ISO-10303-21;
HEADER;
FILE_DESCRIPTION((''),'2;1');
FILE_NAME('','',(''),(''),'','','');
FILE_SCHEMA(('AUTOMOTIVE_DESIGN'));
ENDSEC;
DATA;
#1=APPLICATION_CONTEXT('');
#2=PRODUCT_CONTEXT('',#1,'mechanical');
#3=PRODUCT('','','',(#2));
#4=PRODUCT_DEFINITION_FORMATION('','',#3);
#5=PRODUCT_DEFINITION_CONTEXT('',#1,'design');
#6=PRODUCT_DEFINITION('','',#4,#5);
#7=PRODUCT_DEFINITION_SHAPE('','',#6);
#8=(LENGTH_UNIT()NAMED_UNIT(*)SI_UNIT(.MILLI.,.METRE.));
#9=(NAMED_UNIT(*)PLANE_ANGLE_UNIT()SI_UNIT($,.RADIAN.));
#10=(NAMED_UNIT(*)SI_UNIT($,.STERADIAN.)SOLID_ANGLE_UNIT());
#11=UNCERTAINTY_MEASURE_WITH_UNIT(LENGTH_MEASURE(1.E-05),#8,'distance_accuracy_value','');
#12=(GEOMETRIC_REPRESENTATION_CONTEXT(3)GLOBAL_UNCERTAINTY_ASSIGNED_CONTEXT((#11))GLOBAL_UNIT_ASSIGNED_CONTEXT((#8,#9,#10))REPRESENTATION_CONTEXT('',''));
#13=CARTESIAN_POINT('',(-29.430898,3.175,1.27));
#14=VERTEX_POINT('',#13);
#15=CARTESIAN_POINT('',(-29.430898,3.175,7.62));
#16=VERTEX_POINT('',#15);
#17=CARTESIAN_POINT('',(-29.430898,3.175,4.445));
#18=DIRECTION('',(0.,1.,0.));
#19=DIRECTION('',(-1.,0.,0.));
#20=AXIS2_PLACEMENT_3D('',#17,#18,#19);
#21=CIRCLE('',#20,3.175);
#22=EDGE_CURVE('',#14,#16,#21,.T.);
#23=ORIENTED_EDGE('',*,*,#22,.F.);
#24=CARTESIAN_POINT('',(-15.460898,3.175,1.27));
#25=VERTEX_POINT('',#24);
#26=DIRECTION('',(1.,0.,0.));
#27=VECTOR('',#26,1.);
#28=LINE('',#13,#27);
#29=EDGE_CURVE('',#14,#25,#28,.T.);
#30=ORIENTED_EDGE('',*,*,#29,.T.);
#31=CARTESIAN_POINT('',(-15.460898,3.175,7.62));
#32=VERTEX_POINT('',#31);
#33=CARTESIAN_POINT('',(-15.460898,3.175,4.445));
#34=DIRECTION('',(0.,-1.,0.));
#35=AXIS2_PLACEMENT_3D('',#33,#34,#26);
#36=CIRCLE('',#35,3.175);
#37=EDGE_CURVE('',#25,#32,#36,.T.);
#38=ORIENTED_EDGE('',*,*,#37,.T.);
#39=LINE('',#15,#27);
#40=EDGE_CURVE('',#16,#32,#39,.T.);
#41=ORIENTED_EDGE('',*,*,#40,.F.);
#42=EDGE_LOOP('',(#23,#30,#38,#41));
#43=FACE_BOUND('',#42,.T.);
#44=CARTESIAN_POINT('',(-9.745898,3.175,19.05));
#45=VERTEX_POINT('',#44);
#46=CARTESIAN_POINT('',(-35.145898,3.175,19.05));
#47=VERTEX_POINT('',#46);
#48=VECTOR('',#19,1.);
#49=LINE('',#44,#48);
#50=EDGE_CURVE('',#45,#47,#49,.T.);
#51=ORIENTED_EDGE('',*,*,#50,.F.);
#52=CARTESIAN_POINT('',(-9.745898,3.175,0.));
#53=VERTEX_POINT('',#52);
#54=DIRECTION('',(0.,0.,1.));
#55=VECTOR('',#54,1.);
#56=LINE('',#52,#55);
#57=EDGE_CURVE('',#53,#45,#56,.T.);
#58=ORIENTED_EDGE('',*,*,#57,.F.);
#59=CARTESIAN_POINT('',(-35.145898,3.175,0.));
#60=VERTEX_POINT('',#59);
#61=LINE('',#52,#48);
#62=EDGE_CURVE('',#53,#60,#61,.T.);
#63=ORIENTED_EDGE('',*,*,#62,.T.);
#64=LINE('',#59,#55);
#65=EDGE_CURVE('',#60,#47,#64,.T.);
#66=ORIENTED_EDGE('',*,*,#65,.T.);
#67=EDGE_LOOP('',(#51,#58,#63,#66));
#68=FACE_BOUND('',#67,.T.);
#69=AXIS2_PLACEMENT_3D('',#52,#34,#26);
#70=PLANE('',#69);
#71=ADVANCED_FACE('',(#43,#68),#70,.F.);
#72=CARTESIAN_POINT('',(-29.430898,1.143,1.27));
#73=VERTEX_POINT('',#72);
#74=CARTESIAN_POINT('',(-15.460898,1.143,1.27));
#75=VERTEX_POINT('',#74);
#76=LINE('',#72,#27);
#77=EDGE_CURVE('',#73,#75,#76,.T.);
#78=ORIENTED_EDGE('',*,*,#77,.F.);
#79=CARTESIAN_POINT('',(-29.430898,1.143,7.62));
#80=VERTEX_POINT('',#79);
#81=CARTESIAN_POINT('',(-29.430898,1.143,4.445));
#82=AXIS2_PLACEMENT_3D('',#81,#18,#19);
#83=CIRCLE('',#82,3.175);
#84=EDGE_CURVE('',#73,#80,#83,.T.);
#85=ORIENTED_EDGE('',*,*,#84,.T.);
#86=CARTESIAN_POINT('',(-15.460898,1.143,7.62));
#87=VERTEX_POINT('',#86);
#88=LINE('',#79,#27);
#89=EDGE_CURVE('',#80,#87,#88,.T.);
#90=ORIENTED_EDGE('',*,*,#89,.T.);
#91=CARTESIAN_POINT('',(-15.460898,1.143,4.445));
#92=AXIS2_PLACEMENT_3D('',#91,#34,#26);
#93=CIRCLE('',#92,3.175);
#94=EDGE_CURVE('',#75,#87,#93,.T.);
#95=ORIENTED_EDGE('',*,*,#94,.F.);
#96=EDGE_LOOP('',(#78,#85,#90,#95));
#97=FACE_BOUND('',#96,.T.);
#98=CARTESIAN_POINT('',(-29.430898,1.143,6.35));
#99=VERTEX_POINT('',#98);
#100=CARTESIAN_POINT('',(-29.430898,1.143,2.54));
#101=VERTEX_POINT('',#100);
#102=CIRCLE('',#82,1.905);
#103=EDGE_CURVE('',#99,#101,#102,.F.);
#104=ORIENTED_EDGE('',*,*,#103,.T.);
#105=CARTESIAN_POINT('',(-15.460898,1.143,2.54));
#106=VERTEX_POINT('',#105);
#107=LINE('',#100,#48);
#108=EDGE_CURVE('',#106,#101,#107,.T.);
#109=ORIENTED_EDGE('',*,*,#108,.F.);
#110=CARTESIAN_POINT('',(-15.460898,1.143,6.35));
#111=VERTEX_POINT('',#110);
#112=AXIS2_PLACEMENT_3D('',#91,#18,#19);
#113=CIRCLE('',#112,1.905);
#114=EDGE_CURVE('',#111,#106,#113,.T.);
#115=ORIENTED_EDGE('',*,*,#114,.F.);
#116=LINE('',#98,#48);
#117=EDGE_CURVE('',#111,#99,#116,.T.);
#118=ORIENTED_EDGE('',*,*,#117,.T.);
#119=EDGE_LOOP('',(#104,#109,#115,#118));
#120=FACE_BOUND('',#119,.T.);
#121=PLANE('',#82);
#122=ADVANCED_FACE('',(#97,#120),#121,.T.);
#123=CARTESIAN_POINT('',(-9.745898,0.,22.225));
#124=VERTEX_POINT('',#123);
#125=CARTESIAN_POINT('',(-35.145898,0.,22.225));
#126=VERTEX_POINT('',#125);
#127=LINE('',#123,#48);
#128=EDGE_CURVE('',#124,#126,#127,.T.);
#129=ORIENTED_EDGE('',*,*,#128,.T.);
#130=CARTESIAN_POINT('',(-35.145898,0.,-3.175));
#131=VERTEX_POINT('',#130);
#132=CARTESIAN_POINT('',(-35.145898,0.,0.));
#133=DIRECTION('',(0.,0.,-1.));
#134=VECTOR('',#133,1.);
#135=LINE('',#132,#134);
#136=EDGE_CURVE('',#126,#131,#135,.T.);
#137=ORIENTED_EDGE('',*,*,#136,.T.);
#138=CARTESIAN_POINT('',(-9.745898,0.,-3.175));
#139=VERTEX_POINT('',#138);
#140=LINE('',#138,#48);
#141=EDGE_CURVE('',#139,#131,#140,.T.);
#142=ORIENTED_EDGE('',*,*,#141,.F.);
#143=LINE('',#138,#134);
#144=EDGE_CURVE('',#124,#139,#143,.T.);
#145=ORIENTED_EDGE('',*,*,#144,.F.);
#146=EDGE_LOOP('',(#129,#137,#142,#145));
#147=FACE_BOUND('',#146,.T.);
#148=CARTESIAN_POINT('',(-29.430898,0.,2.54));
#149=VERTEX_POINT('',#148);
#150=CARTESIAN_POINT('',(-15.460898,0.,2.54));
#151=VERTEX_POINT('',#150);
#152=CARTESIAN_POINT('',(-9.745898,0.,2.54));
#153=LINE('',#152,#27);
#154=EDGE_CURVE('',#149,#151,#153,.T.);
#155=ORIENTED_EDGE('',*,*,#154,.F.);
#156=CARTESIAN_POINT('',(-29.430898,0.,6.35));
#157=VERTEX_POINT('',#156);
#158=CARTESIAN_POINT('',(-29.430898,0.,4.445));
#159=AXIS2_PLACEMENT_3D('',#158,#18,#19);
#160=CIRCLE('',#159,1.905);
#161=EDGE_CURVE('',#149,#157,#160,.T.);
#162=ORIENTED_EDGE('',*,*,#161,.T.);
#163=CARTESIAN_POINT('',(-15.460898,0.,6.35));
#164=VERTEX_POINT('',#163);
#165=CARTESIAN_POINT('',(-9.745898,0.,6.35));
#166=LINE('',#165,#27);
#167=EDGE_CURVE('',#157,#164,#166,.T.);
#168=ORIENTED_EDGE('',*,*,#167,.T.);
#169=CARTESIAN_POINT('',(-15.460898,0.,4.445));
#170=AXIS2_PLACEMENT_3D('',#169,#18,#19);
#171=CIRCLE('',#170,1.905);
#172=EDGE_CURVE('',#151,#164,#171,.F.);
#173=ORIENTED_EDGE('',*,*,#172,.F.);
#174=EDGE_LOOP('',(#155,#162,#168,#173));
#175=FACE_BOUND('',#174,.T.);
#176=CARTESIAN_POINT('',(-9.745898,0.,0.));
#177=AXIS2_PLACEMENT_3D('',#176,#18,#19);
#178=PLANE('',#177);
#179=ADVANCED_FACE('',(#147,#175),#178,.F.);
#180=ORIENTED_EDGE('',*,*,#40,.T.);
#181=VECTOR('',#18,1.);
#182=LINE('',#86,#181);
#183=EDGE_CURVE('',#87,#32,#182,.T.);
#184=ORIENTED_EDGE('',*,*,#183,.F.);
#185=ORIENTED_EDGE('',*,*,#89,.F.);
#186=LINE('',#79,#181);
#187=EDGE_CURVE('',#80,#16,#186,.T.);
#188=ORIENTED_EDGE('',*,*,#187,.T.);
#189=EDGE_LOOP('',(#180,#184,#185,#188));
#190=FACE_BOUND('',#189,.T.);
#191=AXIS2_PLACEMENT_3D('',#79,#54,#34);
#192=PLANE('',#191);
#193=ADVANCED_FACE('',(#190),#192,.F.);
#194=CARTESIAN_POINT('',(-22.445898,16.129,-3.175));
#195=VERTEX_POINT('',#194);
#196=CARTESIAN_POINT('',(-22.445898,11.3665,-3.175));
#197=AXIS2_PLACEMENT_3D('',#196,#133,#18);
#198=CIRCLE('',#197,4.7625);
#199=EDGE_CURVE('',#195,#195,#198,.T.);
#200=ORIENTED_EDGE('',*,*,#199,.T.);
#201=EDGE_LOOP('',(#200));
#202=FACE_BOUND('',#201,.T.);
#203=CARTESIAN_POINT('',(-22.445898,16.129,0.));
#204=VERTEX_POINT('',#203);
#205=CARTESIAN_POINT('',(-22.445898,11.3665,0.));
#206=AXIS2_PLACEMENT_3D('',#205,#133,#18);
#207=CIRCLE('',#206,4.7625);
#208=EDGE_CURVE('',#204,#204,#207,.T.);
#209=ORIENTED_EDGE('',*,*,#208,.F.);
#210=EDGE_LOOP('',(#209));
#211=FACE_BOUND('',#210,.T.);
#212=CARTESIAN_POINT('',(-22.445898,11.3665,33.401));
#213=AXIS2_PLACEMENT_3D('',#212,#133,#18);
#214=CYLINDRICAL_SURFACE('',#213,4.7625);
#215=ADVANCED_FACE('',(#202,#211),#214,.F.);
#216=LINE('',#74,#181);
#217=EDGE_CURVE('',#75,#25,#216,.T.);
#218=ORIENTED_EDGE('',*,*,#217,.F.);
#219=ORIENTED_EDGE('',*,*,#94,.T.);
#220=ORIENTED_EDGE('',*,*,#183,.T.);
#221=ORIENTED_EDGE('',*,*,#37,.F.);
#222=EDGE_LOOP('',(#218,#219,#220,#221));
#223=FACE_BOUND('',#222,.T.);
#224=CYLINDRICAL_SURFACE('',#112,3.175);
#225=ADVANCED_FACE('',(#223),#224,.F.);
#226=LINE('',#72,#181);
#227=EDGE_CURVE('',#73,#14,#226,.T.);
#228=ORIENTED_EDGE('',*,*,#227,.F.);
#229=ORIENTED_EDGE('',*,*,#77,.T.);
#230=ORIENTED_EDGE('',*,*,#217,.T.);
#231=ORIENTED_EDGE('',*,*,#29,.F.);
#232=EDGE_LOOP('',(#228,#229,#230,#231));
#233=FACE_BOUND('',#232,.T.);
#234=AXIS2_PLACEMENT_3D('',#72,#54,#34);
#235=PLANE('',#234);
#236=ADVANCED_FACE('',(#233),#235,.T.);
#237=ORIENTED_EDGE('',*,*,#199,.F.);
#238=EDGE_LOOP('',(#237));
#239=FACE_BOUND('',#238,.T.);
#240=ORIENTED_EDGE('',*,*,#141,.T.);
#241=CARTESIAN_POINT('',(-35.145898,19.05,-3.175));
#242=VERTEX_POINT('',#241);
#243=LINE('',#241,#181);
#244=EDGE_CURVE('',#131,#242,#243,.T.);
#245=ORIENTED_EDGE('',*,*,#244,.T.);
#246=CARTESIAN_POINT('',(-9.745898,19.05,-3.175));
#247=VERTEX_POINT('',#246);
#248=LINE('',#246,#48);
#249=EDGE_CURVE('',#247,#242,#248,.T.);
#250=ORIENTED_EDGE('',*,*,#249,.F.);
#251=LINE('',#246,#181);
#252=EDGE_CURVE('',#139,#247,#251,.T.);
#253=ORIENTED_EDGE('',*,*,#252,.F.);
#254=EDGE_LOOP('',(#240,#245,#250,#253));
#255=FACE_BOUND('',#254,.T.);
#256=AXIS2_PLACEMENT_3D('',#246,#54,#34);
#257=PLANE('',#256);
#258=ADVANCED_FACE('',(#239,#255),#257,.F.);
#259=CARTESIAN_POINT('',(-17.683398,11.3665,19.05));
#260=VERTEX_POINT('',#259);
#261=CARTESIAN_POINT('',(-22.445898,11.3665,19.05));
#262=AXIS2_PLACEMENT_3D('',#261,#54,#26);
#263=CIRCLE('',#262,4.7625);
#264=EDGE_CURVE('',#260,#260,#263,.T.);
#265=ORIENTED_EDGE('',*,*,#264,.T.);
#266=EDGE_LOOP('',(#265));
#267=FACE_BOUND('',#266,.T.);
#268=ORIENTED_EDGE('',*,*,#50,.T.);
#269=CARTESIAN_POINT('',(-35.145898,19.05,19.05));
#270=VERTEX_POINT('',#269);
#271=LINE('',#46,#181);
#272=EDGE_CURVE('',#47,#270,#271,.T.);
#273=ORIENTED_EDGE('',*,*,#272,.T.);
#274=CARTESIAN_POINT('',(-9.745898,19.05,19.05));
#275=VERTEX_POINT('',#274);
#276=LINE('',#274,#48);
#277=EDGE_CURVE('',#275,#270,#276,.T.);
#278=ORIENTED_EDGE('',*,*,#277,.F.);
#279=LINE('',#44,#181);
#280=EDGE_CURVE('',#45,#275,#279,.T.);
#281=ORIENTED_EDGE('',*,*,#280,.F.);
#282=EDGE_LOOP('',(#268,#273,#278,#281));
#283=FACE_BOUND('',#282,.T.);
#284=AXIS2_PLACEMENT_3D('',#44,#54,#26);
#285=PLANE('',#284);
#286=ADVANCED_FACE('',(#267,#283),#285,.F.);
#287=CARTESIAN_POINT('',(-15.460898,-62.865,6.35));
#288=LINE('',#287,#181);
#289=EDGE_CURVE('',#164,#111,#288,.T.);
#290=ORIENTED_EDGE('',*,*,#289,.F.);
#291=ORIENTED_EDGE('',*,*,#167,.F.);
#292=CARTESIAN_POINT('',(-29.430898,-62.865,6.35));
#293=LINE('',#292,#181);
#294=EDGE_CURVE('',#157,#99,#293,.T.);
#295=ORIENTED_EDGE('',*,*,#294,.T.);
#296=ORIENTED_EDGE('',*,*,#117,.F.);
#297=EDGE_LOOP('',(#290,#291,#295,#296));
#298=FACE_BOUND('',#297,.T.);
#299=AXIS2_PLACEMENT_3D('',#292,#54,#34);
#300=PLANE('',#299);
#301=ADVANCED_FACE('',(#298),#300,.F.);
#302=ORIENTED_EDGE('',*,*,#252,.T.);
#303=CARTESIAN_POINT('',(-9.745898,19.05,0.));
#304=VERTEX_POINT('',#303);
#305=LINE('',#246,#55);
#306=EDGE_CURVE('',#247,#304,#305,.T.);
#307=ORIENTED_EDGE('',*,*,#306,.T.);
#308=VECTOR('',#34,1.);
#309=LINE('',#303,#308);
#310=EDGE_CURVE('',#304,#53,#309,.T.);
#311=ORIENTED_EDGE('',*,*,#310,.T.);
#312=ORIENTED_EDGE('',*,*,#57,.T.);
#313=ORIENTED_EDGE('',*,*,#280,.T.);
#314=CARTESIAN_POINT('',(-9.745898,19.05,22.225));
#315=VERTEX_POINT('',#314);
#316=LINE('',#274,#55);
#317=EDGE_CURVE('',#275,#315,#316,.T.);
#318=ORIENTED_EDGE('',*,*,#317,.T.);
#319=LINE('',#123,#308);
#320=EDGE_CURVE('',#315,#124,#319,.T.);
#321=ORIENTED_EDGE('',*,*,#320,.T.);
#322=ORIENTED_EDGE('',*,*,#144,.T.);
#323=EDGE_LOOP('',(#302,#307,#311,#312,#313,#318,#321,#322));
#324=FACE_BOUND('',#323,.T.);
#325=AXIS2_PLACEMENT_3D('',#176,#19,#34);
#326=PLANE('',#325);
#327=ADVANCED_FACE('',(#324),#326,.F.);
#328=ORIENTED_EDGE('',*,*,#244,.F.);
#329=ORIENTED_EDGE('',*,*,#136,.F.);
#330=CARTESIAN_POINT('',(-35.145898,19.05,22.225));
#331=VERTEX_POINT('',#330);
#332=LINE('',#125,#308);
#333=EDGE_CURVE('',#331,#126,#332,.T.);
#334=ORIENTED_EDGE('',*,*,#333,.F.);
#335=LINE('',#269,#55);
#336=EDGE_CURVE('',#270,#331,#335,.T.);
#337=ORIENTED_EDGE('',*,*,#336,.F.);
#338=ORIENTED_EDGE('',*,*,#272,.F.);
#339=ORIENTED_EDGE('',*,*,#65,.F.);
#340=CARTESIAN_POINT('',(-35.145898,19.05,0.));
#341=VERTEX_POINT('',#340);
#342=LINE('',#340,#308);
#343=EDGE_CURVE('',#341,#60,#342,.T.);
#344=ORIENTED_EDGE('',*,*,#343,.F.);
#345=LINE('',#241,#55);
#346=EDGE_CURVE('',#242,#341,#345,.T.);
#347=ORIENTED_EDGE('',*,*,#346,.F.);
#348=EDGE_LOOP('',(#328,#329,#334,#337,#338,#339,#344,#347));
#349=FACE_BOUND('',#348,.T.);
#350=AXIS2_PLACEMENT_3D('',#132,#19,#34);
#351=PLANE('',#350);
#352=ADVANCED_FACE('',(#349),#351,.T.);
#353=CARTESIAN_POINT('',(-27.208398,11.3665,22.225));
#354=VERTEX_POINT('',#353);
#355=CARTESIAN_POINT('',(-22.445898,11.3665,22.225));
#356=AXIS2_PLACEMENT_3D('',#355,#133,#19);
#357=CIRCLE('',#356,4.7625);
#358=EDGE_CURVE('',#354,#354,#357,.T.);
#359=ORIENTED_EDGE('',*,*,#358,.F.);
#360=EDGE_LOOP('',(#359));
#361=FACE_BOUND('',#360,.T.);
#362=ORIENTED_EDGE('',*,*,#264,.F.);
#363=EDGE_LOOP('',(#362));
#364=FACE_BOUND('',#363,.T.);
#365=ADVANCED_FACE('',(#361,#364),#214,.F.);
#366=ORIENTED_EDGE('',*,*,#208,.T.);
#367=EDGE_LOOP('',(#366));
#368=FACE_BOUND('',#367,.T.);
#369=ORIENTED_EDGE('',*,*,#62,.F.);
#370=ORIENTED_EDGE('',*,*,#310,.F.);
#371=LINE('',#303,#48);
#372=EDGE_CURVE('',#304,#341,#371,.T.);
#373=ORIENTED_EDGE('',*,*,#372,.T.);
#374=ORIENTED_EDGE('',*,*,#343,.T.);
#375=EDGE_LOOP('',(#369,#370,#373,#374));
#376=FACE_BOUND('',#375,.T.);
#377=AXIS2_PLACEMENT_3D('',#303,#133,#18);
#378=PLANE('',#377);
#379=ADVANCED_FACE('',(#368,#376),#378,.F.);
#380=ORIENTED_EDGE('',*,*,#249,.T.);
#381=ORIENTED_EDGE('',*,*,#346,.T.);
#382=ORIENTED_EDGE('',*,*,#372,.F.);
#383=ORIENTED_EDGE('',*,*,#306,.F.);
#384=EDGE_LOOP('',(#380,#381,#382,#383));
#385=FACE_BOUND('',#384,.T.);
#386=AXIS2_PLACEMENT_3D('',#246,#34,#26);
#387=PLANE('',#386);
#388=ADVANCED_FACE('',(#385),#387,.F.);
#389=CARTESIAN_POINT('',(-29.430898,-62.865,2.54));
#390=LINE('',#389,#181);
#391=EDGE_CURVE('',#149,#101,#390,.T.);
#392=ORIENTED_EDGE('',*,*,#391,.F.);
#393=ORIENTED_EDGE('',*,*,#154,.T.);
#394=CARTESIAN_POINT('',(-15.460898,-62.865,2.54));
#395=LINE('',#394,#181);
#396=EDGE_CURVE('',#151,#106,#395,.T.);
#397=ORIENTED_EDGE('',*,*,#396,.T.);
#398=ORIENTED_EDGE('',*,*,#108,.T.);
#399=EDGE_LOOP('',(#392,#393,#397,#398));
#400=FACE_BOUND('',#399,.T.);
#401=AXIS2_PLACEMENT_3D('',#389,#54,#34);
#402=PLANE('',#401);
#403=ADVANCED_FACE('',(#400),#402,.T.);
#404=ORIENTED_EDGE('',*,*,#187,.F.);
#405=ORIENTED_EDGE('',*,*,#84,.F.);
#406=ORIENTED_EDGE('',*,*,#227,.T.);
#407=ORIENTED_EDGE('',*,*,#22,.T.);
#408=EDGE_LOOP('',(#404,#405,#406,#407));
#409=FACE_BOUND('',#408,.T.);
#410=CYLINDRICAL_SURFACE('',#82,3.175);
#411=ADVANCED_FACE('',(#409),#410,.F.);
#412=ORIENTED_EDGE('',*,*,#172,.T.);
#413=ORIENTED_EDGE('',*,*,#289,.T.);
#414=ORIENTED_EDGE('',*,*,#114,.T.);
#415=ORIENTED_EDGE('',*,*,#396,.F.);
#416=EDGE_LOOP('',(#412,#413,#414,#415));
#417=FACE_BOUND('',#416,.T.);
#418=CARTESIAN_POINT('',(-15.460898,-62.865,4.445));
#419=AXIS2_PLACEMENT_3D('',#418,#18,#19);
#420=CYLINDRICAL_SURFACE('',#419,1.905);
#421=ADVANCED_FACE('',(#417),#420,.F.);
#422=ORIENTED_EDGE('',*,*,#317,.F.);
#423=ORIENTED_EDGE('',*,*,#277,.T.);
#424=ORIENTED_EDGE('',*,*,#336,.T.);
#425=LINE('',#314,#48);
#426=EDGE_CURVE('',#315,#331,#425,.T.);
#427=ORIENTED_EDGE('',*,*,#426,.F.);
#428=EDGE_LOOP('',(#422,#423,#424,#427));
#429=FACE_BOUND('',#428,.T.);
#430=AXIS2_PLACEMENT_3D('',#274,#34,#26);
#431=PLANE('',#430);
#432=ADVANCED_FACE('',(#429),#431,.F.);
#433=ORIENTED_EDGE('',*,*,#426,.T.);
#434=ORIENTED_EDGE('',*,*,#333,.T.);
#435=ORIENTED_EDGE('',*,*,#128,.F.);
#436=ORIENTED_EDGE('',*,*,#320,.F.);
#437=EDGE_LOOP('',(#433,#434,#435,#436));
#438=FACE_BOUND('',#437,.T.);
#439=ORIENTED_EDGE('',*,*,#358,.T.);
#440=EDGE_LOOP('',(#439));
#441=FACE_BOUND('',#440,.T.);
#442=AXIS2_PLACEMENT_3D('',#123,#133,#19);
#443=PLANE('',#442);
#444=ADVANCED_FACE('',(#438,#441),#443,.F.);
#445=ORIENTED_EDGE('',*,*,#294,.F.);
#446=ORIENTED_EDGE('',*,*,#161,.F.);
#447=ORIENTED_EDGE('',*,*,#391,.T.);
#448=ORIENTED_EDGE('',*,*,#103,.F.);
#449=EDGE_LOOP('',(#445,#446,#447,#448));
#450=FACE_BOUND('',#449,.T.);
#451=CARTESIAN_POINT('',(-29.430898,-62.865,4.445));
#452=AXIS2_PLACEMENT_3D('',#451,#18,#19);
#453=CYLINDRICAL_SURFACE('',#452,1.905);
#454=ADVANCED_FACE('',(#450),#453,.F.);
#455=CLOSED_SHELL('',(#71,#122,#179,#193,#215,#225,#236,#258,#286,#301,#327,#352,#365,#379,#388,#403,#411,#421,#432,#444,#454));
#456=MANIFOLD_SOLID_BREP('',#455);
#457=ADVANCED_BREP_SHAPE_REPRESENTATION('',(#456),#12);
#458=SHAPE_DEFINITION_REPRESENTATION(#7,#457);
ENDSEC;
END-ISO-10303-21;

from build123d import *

# Parameters (mm, degrees)
BOSS_EXTRUDE2_DEPTH = 25.4
SKETCH3_R           = 4.7625
CUT_EXTRUDE1_DEPTH  = 36.576
CUT_EXTRUDE2_DEPTH  = 66.04
CUT_EXTRUDE3_DEPTH  = 2.032


with BuildPart() as part:
    # Sketch1 → Boss-Extrude2 (new body)
    with BuildSketch(Plane(origin=(-35.145897579, 0, 0), x_dir=(0, 0, -1), z_dir=(1, 0, 0))):
        Polygon((0, 0), (-19.05, 0), (-22.225, 0), (-22.225, 19.05), (-19.05, 19.05), (-19.05, 3.175), (0, 3.175), (0, 19.05), (3.175, 19.05), (3.175, 0), align=None)
    extrude(amount=BOSS_EXTRUDE2_DEPTH)

    # Sketch3 → Cut-Extrude1 (cut)
    with BuildSketch(Plane(origin=(0, 0, -3.175), x_dir=(-1, 0, 0), z_dir=(0, 0, -1))):
        with Locations((22.445897579, 11.3665)):
            Circle(SKETCH3_R)
    extrude(amount=-CUT_EXTRUDE1_DEPTH, mode=Mode.SUBTRACT)

    # Sketch4 → Cut-Extrude2 (cut)
    with BuildSketch(Plane(origin=(0, 3.175, 0), x_dir=(1, 0, 0), z_dir=(0, 1, 0))):
        with BuildLine():
            Line((-29.430897579, -2.54), (-15.460897579, -2.54))
            ThreePointArc((-15.460897579, -2.54), (-13.555897579, -4.445), (-15.460897579, -6.35))
            Line((-15.460897579, -6.35), (-29.430897579, -6.35))
            ThreePointArc((-29.430897579, -6.35), (-31.335897579, -4.445), (-29.430897579, -2.54))
        make_face()
    extrude(amount=-CUT_EXTRUDE2_DEPTH, mode=Mode.SUBTRACT)

    # Sketch7 → Cut-Extrude3 (cut)
    with BuildSketch(Plane(origin=(0, 3.175, 0), x_dir=(1, 0, 0), z_dir=(0, 1, 0))):
        with BuildLine():
            Line((-29.430897579, -1.27), (-15.460897579, -1.27))
            ThreePointArc((-15.460897579, -1.27), (-12.285897579, -4.445), (-15.460897579, -7.62))
            Line((-15.460897579, -7.62), (-29.430897579, -7.62))
            ThreePointArc((-29.430897579, -7.62), (-32.605897579, -4.445), (-29.430897579, -1.27))
        make_face()
    extrude(amount=-CUT_EXTRUDE3_DEPTH, mode=Mode.SUBTRACT)


solid = part.part
